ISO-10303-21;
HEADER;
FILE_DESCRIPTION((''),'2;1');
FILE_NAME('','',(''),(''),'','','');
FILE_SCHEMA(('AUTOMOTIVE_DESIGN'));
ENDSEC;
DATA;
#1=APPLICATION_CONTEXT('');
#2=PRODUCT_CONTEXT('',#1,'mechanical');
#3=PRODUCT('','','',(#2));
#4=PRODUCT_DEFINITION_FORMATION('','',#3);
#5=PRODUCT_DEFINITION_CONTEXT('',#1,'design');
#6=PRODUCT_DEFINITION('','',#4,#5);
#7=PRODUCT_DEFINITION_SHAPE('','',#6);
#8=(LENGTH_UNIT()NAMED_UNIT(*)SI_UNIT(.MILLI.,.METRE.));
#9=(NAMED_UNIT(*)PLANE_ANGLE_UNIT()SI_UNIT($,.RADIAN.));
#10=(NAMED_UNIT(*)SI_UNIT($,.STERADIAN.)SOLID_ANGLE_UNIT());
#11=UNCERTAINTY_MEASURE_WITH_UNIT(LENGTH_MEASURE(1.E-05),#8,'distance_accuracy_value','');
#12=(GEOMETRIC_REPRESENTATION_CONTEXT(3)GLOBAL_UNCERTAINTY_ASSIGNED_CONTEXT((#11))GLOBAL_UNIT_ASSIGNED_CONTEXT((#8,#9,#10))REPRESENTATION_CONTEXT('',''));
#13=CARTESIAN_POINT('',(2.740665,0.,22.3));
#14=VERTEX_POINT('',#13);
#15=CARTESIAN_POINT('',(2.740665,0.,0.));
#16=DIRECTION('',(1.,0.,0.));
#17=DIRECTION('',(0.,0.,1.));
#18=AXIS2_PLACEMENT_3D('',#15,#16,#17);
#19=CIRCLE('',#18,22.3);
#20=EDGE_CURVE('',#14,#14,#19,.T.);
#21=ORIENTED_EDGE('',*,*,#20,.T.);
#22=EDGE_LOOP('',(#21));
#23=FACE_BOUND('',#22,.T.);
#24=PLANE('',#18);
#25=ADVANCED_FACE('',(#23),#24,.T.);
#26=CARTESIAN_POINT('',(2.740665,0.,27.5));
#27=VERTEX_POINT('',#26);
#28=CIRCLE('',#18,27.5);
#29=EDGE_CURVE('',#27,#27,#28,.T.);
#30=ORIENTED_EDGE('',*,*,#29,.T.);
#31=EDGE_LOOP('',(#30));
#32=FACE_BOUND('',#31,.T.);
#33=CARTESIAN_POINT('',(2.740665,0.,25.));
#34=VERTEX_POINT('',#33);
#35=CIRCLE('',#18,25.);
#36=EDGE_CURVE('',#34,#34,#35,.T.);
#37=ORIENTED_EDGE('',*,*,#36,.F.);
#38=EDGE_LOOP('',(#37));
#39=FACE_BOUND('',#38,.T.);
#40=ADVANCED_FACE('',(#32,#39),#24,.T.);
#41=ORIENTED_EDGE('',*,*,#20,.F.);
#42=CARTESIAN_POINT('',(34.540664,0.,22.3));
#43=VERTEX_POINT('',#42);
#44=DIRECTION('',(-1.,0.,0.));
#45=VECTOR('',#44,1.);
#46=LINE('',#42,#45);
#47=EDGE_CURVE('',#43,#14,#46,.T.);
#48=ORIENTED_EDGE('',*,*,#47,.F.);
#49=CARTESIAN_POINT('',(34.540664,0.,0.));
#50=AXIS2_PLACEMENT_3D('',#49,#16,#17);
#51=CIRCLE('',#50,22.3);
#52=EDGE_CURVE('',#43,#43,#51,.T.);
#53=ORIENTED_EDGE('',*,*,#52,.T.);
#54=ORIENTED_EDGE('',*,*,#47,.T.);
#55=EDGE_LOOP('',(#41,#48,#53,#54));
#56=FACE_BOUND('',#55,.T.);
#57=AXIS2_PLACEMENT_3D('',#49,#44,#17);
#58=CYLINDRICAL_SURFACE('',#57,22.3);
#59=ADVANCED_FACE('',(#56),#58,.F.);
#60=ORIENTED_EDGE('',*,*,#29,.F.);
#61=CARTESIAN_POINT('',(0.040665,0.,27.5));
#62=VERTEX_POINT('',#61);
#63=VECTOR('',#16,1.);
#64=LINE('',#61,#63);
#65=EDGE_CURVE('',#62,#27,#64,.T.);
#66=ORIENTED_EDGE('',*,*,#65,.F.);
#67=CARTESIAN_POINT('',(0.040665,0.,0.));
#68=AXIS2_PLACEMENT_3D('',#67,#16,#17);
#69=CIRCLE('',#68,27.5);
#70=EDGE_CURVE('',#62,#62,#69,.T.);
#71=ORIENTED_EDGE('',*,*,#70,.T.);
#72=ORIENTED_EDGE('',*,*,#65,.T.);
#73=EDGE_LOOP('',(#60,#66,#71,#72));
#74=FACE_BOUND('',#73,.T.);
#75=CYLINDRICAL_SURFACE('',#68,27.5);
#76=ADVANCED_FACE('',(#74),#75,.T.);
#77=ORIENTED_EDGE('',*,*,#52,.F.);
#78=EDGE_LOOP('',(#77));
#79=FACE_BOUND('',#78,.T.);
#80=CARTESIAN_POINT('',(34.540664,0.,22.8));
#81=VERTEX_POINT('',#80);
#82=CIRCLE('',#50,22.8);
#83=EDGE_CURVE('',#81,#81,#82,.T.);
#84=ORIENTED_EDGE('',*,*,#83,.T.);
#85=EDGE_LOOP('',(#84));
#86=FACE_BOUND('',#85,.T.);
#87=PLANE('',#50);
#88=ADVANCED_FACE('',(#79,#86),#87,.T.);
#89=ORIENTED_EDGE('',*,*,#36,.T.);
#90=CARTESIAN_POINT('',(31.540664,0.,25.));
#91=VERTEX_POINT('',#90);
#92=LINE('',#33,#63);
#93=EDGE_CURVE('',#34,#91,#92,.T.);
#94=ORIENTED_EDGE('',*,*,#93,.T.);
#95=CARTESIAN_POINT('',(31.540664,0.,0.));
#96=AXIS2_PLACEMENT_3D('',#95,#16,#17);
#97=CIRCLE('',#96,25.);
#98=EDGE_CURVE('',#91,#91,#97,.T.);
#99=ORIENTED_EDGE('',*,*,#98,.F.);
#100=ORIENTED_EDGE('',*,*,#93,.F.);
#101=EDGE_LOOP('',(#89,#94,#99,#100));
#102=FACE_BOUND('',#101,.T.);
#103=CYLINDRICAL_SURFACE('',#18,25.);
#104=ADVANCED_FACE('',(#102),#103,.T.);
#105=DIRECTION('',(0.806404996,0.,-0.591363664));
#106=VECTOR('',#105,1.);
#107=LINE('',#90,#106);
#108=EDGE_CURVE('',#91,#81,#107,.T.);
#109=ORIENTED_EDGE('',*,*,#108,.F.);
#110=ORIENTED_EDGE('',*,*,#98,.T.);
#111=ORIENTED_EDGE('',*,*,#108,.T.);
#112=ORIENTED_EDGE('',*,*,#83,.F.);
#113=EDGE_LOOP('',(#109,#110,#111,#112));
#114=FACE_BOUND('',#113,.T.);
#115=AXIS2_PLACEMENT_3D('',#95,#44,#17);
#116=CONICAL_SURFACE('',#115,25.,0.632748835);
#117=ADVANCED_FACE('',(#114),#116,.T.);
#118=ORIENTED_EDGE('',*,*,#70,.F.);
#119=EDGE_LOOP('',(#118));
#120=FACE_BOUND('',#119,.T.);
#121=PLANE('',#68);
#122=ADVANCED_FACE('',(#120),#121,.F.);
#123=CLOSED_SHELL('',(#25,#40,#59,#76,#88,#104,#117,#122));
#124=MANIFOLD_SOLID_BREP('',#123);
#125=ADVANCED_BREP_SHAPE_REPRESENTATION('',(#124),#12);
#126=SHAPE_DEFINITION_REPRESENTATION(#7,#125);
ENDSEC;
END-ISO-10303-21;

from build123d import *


with BuildPart() as part:
    # Sketch → Revolution (revolve)
    with BuildSketch(Plane.XZ):
        Polygon((0.040665, 0), (0.040665, 27.5), (2.740665, 27.5), (2.740665, 25), (31.540664, 25), (34.540664, 22.8), (34.540664, 22.3), (2.740665, 22.3), (2.740665, 0), align=None)
    revolve(axis=Axis((0, 0, 0), (1, 0, 0)))


solid = part.part
